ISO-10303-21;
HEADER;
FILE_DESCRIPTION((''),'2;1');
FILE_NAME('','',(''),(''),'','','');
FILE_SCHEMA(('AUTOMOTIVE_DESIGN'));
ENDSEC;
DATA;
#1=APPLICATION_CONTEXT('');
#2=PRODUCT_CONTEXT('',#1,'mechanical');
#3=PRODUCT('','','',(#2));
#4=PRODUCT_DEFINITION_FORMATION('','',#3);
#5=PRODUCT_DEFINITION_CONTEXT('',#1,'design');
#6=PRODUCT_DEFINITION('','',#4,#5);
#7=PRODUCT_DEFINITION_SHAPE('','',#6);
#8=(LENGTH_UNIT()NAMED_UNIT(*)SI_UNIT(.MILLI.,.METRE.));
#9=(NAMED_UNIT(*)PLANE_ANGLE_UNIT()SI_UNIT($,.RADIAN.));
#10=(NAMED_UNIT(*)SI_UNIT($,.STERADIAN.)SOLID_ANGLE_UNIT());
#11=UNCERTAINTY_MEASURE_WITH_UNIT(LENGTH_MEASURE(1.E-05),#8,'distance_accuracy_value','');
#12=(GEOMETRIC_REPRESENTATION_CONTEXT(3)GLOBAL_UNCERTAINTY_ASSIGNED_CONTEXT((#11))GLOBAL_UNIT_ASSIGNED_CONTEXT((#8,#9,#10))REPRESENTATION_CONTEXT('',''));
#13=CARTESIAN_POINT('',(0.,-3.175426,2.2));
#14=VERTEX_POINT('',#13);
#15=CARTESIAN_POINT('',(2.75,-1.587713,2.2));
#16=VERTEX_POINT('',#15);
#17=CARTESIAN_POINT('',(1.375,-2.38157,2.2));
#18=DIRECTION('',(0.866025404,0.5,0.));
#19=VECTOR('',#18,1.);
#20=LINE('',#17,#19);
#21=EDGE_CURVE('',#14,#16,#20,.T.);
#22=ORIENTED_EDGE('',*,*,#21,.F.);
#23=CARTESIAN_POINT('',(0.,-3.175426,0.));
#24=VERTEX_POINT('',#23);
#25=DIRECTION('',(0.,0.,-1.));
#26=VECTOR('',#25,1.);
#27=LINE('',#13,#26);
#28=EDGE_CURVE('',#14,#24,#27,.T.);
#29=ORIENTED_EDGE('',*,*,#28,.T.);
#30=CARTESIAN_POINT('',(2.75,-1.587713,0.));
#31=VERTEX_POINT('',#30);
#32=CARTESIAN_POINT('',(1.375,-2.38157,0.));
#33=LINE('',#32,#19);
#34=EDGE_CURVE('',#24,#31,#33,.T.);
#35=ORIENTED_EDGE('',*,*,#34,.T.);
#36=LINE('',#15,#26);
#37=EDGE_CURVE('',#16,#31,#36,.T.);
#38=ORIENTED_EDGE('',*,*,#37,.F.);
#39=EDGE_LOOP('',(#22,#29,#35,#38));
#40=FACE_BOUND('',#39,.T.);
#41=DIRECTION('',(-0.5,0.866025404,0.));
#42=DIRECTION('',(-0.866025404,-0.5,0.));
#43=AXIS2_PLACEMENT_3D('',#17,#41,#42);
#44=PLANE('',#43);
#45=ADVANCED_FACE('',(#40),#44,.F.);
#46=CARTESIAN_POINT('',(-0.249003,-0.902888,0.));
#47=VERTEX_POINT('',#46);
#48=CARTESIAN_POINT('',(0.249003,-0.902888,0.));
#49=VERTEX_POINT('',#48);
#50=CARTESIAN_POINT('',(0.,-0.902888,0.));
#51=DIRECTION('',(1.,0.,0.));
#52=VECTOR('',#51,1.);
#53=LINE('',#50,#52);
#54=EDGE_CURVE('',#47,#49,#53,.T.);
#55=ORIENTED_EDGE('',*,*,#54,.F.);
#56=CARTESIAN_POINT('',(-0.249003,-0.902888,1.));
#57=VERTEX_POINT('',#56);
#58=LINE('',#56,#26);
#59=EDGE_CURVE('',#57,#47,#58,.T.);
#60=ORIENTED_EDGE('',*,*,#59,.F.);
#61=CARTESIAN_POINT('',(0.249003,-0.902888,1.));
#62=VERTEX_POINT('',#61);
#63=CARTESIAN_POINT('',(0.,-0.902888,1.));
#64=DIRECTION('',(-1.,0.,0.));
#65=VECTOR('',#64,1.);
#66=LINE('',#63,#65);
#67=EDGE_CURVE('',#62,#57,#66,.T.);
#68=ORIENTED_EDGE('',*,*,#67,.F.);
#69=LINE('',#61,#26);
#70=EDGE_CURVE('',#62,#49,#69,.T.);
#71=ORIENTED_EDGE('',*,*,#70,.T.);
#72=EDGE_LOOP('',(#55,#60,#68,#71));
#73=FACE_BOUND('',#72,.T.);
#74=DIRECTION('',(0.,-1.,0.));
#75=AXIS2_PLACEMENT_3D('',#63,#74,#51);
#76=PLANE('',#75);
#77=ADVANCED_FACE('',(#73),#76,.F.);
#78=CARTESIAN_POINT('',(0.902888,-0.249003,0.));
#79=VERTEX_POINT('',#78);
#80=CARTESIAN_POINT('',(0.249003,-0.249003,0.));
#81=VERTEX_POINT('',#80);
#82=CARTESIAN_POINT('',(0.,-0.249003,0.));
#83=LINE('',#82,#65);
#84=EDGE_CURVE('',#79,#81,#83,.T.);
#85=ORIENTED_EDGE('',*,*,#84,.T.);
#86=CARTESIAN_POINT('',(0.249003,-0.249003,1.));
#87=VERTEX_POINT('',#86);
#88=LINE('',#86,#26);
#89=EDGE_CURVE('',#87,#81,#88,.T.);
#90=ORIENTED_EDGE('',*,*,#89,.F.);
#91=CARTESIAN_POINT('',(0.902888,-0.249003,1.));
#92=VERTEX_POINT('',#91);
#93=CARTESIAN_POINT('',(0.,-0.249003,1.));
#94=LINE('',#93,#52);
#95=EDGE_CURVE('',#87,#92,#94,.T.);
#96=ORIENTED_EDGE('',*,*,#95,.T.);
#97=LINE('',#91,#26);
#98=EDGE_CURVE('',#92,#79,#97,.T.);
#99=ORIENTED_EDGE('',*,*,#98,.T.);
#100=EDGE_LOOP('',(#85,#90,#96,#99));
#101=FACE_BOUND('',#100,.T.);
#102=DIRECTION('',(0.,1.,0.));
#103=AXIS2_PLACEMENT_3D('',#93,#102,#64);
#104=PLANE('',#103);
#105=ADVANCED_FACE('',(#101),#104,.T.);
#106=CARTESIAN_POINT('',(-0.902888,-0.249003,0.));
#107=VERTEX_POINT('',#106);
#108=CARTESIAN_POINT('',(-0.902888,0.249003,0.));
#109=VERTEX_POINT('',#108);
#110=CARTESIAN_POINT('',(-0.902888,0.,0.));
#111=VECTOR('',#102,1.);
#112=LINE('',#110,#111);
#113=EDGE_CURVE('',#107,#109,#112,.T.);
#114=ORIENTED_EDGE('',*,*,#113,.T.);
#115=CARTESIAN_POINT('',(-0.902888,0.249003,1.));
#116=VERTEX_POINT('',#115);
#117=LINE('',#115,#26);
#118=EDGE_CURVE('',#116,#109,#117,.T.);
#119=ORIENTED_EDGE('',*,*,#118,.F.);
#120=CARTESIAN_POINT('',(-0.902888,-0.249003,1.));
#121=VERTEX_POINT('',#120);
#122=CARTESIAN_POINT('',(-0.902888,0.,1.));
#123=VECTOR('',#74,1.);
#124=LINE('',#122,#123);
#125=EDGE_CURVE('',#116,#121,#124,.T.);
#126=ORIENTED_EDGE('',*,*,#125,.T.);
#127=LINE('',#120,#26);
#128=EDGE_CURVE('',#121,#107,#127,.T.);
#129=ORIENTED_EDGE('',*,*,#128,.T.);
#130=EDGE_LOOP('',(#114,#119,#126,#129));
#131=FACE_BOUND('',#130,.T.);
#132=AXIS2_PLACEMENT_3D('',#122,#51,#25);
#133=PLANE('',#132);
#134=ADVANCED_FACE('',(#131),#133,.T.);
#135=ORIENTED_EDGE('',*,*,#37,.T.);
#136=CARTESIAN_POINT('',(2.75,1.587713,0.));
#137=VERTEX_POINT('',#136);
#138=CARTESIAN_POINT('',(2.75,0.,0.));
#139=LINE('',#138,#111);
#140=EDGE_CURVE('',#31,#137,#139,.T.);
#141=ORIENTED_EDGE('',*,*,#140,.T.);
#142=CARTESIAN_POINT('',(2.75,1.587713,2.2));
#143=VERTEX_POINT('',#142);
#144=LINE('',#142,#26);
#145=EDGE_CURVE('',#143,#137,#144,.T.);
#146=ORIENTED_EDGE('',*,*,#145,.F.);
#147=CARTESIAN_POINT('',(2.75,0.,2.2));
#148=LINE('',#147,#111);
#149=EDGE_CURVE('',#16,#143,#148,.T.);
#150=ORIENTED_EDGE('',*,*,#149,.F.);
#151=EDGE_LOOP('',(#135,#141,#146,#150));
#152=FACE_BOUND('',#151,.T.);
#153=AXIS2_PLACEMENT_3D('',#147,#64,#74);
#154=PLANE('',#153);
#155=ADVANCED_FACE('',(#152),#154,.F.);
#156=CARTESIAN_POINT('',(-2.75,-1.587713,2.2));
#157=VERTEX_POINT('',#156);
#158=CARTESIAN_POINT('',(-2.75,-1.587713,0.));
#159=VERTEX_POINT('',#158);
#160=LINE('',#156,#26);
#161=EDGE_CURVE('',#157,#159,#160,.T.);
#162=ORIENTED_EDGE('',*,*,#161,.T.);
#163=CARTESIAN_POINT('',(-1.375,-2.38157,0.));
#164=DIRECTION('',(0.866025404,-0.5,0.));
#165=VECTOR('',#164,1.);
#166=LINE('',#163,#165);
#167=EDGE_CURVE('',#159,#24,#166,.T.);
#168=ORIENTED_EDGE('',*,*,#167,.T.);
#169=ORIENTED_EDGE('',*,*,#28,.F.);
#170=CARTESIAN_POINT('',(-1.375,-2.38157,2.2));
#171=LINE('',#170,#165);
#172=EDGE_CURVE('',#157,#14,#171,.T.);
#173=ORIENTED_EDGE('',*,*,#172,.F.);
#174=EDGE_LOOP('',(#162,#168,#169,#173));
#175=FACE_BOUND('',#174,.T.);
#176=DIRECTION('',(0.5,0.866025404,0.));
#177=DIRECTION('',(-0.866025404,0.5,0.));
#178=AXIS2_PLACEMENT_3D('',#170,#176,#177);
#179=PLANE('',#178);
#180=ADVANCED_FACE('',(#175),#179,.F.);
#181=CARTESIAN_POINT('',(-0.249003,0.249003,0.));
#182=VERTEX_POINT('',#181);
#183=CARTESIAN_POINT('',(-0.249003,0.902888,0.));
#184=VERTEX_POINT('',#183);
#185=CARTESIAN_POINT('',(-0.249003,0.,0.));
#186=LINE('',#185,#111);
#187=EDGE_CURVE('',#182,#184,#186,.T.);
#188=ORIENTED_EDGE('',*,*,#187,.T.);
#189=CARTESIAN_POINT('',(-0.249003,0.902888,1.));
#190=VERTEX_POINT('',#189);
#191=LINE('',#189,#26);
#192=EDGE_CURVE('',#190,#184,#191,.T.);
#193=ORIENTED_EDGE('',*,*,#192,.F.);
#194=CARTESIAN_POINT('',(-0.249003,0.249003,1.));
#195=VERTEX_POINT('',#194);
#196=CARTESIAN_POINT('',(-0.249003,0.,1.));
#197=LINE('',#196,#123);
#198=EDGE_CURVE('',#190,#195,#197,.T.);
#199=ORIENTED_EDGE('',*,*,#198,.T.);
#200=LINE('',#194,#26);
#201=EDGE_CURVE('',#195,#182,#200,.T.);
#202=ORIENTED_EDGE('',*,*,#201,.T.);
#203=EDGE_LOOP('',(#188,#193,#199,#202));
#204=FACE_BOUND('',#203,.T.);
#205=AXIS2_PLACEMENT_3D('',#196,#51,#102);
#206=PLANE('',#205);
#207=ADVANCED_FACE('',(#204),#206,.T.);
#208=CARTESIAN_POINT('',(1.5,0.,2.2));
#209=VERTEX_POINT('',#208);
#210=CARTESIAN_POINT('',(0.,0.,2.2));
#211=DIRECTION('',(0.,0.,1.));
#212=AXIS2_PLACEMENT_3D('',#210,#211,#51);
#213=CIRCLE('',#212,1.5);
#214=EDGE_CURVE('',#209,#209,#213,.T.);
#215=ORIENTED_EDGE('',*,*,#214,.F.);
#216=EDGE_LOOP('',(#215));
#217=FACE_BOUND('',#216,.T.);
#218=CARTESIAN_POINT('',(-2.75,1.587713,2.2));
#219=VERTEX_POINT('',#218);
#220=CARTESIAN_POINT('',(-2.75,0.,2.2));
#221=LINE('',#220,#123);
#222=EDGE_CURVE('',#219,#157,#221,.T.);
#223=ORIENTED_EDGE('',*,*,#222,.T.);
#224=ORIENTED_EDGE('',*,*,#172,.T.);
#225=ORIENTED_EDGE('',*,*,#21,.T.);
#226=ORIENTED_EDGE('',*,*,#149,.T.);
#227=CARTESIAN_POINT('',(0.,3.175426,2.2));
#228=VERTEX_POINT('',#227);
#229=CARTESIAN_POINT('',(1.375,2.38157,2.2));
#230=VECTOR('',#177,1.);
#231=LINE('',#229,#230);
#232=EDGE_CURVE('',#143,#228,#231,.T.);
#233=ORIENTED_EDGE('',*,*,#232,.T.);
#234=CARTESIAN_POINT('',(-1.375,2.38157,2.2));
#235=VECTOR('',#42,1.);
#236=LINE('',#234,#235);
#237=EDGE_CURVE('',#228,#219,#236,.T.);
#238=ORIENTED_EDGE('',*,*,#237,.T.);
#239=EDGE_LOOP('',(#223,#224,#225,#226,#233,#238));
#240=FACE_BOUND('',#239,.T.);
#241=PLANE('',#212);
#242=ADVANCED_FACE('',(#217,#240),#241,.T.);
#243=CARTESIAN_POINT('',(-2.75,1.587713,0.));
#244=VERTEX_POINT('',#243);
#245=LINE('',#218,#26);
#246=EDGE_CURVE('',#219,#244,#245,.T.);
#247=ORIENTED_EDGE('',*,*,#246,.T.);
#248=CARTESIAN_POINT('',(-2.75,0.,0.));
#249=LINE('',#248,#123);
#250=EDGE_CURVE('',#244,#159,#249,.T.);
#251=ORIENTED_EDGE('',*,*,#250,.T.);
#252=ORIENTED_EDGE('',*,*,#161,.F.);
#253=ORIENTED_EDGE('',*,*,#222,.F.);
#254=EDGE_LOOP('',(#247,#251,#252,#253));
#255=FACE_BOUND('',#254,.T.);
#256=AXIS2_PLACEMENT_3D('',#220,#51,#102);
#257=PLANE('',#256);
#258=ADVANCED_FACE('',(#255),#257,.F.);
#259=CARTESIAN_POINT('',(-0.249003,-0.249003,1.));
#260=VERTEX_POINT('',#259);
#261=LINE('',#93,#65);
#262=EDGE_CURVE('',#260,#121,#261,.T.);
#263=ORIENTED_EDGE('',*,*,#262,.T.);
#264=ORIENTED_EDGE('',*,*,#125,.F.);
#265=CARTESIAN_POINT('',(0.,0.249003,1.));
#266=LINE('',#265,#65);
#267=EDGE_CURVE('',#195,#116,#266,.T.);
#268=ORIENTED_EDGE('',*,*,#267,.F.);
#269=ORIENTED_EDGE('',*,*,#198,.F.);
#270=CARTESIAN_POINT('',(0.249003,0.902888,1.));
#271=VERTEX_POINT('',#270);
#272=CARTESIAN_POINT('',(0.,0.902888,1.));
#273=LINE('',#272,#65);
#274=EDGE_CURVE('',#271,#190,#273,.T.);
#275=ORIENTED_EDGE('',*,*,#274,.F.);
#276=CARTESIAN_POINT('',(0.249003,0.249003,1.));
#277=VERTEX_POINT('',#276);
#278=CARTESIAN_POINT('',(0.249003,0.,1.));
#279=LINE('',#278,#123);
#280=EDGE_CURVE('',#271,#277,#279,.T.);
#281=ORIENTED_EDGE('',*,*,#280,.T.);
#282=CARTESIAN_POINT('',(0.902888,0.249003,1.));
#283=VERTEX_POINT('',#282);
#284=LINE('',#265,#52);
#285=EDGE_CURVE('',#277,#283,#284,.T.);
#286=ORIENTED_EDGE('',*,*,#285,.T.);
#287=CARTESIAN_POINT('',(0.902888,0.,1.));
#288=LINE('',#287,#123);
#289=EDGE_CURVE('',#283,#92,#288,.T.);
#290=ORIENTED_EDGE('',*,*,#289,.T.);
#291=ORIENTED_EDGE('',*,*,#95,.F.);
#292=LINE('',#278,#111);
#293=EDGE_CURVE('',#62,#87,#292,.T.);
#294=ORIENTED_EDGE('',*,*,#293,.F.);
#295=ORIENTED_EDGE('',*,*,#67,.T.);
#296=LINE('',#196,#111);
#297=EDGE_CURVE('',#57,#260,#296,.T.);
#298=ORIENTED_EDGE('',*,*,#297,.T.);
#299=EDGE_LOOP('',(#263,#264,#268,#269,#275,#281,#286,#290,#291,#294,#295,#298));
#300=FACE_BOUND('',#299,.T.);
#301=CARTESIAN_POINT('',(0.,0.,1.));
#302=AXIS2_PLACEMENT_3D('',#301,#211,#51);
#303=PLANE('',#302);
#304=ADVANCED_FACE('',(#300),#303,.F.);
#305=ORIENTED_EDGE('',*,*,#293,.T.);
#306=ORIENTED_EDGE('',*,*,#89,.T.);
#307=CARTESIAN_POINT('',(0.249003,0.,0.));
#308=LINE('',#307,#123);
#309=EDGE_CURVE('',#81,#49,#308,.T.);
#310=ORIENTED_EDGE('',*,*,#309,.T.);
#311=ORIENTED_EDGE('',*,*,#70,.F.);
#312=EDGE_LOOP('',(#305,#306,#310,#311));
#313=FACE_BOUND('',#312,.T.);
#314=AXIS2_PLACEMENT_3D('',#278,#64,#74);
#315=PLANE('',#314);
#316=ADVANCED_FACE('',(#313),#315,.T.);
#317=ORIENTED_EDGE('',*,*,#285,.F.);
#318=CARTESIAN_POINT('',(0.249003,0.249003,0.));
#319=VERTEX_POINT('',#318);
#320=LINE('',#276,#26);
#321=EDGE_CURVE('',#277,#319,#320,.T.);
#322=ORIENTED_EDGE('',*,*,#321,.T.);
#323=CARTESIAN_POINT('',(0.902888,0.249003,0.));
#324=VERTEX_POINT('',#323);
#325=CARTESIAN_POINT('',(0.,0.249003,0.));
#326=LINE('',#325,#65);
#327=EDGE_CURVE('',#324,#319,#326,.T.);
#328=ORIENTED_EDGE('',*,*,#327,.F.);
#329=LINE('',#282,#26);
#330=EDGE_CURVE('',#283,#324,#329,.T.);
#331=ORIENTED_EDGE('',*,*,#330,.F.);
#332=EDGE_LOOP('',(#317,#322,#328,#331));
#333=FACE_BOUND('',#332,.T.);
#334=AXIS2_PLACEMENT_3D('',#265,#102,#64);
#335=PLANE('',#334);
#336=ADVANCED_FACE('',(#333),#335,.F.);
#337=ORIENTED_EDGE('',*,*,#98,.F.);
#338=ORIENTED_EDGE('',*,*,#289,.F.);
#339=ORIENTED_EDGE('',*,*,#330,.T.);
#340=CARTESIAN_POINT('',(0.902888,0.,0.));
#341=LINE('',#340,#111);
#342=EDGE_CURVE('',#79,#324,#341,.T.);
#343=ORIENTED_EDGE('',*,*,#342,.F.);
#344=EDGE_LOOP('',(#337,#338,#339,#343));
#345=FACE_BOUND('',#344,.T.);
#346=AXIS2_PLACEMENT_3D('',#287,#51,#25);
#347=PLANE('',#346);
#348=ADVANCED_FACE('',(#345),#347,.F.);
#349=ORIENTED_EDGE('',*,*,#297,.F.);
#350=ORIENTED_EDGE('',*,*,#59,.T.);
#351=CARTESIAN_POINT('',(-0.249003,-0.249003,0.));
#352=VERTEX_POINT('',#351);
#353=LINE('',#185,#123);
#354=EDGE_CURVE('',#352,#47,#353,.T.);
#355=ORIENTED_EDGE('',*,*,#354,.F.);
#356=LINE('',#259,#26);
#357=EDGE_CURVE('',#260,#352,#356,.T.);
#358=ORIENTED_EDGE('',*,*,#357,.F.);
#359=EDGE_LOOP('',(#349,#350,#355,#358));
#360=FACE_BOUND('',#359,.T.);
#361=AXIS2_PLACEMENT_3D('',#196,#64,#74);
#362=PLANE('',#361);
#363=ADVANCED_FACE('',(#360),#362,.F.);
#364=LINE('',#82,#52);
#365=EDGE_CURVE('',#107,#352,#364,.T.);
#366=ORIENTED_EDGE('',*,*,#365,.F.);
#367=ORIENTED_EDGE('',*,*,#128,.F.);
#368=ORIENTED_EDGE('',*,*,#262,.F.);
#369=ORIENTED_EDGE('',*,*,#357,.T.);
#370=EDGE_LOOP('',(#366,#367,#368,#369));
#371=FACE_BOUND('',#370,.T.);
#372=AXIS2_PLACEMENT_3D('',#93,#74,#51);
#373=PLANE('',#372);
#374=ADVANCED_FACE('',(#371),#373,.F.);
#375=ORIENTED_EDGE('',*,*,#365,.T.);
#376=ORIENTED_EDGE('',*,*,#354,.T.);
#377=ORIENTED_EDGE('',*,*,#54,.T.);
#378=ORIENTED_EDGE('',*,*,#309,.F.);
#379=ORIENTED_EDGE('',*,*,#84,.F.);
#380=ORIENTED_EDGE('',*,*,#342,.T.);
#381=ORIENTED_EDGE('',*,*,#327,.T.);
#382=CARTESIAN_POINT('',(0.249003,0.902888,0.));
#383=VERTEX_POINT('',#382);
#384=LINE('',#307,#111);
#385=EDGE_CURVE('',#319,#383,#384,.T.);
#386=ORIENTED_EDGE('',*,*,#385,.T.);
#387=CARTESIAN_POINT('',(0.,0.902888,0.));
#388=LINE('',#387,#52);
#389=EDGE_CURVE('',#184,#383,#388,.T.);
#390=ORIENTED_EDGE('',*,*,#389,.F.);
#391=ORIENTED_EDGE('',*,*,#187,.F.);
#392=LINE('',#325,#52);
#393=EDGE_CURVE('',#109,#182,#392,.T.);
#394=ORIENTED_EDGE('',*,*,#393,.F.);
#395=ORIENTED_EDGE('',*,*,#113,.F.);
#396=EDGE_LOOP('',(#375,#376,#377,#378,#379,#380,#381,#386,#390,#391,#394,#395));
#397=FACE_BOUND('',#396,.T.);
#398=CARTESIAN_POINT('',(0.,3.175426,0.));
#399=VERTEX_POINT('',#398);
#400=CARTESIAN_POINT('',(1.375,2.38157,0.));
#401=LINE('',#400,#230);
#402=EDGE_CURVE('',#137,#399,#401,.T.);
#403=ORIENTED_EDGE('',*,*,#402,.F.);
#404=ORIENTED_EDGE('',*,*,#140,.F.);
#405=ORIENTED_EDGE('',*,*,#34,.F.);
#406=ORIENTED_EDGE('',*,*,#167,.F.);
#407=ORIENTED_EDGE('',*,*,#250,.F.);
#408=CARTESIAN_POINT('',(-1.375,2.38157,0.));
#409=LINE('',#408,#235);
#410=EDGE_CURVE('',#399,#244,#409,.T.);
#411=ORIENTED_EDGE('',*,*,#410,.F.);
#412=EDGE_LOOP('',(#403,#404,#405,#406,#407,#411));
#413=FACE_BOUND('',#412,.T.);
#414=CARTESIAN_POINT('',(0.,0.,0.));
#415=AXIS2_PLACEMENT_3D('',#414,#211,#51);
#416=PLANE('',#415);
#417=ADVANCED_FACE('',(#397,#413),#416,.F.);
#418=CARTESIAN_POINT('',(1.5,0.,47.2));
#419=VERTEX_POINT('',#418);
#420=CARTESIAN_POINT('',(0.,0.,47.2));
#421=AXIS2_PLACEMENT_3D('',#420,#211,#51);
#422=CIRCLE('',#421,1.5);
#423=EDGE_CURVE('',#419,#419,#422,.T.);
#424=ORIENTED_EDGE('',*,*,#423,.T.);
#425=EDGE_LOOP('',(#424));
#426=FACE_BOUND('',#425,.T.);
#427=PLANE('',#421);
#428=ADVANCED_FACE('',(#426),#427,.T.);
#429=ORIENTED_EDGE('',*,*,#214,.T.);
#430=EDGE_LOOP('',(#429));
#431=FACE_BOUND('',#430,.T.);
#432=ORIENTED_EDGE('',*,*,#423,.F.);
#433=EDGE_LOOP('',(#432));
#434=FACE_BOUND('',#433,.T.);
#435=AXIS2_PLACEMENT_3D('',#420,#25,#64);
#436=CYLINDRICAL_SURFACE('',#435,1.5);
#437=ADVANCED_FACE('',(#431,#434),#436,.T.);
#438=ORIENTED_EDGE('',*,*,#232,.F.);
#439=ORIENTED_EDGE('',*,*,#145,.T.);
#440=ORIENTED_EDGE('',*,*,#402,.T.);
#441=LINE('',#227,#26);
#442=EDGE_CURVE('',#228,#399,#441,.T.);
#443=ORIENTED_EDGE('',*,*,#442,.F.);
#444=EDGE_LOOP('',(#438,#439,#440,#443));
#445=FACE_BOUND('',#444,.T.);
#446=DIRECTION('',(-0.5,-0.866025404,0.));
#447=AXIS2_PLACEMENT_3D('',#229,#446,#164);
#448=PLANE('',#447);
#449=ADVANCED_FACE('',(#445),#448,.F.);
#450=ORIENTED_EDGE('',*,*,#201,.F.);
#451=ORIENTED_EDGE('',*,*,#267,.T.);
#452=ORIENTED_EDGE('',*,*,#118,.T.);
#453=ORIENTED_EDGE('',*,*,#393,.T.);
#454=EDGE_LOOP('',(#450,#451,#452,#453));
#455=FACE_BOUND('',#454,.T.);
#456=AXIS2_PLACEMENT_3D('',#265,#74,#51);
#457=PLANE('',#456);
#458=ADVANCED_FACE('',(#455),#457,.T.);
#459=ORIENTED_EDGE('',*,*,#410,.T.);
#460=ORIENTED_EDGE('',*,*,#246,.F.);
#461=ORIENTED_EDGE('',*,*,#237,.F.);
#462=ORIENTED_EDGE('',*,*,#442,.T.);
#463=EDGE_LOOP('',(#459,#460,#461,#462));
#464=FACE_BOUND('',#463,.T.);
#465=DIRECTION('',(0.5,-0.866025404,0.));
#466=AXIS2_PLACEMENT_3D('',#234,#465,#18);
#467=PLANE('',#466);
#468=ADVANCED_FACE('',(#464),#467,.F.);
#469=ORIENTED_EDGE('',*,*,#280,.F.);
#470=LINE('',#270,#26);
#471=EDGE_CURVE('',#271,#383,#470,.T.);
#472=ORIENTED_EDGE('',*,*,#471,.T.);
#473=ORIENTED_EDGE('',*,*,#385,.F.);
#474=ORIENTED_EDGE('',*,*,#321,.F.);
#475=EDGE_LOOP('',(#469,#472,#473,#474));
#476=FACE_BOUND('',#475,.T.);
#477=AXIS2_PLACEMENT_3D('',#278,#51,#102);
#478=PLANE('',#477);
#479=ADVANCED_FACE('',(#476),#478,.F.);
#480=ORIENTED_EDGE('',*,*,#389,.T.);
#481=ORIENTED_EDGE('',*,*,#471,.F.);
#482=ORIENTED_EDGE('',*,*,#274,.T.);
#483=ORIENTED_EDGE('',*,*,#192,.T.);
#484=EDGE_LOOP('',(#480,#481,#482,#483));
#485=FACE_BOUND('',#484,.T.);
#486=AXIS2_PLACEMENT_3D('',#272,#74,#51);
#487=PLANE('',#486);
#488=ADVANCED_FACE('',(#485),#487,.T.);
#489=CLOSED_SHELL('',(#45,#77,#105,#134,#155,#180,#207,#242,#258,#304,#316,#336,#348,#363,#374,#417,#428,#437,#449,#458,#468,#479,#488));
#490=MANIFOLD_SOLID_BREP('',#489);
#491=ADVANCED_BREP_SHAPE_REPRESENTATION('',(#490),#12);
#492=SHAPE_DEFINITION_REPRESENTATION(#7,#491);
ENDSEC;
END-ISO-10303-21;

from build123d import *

# Parameters (mm, degrees)
SKETCH_1_R               = 1.5
EXTRUDE_3_DEPTH          = 2.2
SKETCH_1_6_R             = 1.5
EXTRUDE_4_DEPTH          = 47.2
CUT_EXTRUDE_1_DEPTH      = 1
CUT_EXTRUDE_1_DEPTH_BACK = 1


with BuildPart() as part:
    # 草图1 → 凸台-拉伸3 (new body)
    with BuildSketch(Plane.XY):
        Polygon((-2.75, -1.58771324), (0, -3.175426481), (2.75, -1.58771324), (2.75, 1.58771324), (0, 3.175426481), (-2.75, 1.58771324), align=None)
        Circle(SKETCH_1_R, mode=Mode.SUBTRACT)
    extrude(amount=EXTRUDE_3_DEPTH)

    # 草图1<6> → 凸台-拉伸4 (add)
    with BuildSketch(Plane.XY):
        Circle(SKETCH_1_6_R)
    extrude(amount=EXTRUDE_4_DEPTH)

    # 草图1<9> → 切除-拉伸1 (cut, two sides: drawn at the far end of the back side and taken through both)
    with BuildSketch(Plane.XY.offset(-CUT_EXTRUDE_1_DEPTH_BACK)):
        Polygon((0.249002884, 0.249002884), (0.249002884, 0.902887914), (-0.249002884, 0.902887914), (-0.249002884, 0.249002884), (-0.902887914, 0.249002884), (-0.902887914, -0.249002884), (-0.249002884, -0.249002884), (-0.249002884, -0.902887914), (0.249002884, -0.902887914), (0.249002884, -0.249002884), (0.902887914, -0.249002884), (0.902887914, 0.249002884), align=None)
    extrude(amount=CUT_EXTRUDE_1_DEPTH + CUT_EXTRUDE_1_DEPTH_BACK, mode=Mode.SUBTRACT)


solid = part.part
